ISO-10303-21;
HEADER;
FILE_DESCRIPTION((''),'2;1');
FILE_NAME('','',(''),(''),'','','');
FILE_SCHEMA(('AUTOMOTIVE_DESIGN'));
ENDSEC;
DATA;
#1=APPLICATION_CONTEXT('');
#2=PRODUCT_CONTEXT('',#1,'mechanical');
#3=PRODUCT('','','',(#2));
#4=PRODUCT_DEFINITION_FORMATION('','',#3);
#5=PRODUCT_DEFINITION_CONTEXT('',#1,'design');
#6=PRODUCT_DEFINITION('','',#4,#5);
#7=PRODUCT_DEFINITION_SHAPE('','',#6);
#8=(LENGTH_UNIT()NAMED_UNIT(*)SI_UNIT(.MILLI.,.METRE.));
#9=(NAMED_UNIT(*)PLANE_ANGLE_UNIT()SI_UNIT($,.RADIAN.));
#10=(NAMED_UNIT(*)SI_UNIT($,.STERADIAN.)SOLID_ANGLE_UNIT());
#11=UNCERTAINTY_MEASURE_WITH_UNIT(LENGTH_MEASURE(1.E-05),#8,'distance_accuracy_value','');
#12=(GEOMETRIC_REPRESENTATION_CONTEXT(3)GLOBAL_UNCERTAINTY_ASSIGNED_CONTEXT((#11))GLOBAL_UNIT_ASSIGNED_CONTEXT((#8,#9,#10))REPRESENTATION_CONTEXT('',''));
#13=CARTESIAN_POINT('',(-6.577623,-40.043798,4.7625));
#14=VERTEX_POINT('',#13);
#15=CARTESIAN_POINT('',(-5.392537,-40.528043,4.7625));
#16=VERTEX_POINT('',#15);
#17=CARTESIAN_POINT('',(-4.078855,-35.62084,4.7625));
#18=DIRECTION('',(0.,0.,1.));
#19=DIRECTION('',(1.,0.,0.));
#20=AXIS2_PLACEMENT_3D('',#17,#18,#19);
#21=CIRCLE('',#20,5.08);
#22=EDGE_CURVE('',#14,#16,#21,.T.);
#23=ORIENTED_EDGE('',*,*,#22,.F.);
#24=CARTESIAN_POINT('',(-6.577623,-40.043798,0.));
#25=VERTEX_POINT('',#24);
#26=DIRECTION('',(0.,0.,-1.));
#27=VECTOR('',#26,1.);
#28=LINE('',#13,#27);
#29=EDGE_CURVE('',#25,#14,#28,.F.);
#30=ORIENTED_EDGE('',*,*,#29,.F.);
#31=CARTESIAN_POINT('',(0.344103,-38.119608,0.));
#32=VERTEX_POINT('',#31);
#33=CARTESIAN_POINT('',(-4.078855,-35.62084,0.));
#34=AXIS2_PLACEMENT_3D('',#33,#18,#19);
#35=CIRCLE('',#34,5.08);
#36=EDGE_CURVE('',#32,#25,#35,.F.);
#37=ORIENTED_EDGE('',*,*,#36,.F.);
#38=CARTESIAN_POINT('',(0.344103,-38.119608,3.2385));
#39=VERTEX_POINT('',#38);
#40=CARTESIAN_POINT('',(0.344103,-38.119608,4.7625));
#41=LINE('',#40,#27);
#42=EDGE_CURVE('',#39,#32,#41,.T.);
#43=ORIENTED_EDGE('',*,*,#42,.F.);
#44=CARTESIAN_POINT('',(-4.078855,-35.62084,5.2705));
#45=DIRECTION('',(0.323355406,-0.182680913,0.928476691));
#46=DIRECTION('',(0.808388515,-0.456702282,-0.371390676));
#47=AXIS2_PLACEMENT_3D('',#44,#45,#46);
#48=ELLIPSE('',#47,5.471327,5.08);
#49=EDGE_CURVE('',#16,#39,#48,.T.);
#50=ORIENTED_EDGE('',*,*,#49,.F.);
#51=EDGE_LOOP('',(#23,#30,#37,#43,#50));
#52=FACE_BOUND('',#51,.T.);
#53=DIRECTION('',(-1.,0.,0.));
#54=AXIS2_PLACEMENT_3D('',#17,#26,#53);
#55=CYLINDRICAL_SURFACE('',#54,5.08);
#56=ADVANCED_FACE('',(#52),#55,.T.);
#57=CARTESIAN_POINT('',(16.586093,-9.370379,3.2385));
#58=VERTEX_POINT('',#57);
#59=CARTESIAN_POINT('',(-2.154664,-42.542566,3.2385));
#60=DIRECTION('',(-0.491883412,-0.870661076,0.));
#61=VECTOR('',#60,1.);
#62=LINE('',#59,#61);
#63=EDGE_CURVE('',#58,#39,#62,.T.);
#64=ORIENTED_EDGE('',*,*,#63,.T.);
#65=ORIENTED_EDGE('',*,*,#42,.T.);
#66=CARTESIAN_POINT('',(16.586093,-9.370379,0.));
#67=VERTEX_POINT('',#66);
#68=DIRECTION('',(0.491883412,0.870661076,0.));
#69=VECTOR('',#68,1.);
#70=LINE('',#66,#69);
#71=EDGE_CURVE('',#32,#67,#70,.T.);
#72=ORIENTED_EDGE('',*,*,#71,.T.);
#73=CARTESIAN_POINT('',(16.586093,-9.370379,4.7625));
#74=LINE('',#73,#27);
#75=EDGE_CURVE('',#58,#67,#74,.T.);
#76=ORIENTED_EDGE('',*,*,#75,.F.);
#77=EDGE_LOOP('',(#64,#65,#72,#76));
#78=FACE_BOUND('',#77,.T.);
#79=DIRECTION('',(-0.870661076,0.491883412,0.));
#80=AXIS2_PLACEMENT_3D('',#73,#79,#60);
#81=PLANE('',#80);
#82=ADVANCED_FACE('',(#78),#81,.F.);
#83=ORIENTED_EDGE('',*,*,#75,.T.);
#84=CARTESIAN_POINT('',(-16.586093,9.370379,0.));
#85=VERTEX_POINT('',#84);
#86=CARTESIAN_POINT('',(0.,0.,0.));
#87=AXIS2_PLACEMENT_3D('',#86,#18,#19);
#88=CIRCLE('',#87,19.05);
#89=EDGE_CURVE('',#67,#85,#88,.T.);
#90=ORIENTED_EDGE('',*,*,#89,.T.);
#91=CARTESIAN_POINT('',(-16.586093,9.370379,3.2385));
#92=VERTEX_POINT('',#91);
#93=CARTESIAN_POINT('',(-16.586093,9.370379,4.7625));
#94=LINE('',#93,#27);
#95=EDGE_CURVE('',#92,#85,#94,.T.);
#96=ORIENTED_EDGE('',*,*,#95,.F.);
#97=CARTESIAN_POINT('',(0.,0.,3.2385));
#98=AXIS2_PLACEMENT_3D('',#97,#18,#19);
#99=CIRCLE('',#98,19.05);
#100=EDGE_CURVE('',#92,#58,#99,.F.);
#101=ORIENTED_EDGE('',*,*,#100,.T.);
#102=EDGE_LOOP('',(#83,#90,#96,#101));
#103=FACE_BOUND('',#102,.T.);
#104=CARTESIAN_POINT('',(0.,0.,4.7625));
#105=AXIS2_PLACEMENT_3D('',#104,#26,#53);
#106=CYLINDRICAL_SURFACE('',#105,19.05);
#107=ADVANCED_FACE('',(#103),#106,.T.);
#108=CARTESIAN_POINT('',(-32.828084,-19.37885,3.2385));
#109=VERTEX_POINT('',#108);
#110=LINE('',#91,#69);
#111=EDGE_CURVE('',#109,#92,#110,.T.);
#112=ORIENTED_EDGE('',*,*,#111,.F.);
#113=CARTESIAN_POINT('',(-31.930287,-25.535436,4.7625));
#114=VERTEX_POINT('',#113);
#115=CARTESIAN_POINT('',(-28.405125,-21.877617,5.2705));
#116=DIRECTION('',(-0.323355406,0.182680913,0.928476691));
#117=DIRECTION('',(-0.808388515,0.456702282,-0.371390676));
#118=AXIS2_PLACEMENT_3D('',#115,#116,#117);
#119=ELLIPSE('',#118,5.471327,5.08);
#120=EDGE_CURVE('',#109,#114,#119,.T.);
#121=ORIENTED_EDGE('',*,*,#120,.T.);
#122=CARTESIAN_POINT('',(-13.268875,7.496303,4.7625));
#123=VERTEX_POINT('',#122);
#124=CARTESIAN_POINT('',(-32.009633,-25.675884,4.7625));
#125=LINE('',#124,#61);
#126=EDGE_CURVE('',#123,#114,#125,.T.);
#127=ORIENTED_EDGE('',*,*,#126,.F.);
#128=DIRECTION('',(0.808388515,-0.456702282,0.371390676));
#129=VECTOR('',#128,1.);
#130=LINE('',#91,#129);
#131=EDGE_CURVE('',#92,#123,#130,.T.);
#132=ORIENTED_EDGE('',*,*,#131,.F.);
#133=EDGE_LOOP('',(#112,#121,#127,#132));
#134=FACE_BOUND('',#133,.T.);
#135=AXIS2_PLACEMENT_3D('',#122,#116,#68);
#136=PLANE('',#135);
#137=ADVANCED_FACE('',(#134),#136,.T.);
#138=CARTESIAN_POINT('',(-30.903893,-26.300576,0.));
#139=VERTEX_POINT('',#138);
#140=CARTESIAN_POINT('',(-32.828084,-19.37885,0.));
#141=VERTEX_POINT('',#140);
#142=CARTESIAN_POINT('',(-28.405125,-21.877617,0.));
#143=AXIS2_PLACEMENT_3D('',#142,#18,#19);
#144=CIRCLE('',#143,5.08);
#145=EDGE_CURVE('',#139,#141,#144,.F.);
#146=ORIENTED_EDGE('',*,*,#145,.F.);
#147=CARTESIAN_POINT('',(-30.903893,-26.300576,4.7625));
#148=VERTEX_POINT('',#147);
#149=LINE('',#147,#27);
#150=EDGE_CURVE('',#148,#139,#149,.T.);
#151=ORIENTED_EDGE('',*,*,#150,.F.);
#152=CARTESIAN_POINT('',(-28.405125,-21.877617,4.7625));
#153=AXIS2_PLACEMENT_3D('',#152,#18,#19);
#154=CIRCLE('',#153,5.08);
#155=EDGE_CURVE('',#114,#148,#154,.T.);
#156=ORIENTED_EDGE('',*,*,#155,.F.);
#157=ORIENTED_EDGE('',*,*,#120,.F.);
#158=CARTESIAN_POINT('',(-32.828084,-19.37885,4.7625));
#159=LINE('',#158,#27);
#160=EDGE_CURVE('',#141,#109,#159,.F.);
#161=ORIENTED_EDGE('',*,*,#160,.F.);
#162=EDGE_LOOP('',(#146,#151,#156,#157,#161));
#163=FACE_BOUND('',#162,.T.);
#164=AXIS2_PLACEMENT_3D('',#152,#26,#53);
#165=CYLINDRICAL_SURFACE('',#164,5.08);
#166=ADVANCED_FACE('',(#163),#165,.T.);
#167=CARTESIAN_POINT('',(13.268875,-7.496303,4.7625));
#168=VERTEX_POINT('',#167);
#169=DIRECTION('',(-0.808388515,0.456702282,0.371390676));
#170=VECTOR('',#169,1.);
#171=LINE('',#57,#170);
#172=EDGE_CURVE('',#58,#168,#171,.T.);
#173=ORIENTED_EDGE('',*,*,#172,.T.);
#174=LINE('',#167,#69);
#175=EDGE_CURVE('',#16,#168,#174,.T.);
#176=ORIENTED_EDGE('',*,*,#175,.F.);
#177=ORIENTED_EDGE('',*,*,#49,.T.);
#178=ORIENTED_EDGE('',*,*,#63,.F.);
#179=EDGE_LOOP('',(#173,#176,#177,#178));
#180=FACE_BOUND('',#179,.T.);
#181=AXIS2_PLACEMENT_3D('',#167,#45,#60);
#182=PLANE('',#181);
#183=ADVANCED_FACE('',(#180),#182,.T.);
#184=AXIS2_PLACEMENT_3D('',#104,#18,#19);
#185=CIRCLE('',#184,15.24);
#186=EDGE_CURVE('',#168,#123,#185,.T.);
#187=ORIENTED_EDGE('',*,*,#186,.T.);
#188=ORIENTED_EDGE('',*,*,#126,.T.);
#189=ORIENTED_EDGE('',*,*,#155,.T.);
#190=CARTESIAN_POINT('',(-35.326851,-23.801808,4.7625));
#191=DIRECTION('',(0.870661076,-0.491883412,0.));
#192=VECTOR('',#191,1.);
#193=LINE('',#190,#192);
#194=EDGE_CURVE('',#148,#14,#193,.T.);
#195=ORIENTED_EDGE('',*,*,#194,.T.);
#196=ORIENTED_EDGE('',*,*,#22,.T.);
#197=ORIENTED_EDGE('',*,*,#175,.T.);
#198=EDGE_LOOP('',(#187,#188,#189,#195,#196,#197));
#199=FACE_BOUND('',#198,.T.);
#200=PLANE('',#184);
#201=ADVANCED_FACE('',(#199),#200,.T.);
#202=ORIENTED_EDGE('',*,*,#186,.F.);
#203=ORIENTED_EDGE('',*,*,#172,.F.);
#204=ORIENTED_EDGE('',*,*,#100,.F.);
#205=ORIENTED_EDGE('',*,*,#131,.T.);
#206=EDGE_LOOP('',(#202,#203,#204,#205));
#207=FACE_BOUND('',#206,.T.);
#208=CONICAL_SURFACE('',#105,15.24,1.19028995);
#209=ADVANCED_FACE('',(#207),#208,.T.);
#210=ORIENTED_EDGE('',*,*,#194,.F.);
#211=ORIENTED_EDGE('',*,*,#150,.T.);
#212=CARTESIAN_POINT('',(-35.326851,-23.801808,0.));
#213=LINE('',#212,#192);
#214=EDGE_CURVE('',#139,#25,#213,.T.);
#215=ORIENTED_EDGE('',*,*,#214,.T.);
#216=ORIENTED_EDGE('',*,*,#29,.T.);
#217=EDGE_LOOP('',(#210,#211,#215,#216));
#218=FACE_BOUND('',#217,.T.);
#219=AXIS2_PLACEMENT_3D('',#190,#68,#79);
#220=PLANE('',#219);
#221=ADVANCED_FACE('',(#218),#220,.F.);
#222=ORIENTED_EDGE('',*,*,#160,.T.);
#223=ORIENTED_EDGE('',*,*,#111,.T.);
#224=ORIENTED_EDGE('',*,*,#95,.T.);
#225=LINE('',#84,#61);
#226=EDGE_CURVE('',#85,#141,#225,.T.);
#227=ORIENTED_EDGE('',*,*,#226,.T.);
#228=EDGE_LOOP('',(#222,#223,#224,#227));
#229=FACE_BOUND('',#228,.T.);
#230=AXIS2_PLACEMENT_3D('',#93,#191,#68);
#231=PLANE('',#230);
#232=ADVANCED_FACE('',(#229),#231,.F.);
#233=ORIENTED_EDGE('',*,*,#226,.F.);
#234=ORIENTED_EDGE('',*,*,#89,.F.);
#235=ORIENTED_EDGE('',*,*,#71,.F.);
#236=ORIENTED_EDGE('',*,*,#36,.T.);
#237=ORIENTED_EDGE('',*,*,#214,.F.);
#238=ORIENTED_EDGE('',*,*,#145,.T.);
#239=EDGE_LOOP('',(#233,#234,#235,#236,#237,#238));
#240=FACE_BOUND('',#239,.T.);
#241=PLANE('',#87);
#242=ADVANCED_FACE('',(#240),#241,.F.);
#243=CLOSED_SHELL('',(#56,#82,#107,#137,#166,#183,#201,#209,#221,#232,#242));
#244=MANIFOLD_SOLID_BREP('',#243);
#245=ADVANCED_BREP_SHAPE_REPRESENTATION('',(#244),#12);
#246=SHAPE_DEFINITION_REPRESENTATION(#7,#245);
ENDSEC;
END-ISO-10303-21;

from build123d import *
from OCP.BRepFilletAPI import BRepFilletAPI_MakeChamfer

# Parameters (mm, degrees)
BOSS_EXTRUDE1_DEPTH = 4.7625
CHAMFER1_SIZE       = 1.524
CHAMFER1_SIZE2      = 3.81
FILLET1_R           = 5.08


with BuildPart() as part:
    # Sketch1 → Boss-Extrude1 (new body)
    with BuildSketch(Plane.XY):
        with BuildLine():
            Line((-16.586093498, 9.370378993), (-35.326851484, -23.801808003))
            Line((-35.326851484, -23.801808003), (-2.154664488, -42.542565989))
            Line((-2.154664488, -42.542565989), (16.586093498, -9.370378993))
            ThreePointArc((16.586093498, -9.370378993), (9.370378993, 16.586093498), (-16.586093498, 9.370378993))
        make_face()
    extrude(amount=BOSS_EXTRUDE1_DEPTH)

    # Chamfer1: one chamfer whose edges measure the first distance from different faces: ONE call of the kernel's chamfer builder (chamfer() names one face for all edges)
    chamfer1_edges_1 = [part.edges().sort_by_distance(p)[0] for p in [
        (7.215714505, -25.956472491, 4.7625),
    ]]
    chamfer1_side_1 = [part.faces().sort_by_distance(p)[0] for p in [
        (7.215714505, -25.956472491, 2.38125),
    ]]
    chamfer1_edges_2 = [part.edges().sort_by_distance(p)[0] for p in [
        (9.370378993, 16.586093498, 4.7625),
    ]]
    chamfer1_side_2 = [part.faces().sort_by_distance(p)[0] for p in [
        (9.370378993, 16.586093498, 2.38125),
    ]]
    chamfer1_edges_3 = [part.edges().sort_by_distance(p)[0] for p in [
        (-25.956472491, -7.215714505, 4.7625),
    ]]
    chamfer1_side_3 = [part.faces().sort_by_distance(p)[0] for p in [
        (-25.956472491, -7.215714505, 2.38125),
    ]]
    chamfer1 = BRepFilletAPI_MakeChamfer(part.part.solid().wrapped)
    for e in chamfer1_edges_1:
        chamfer1.Add(CHAMFER1_SIZE, CHAMFER1_SIZE2, e.wrapped, chamfer1_side_1[0].wrapped)  # the first distance lies on this face
    for e in chamfer1_edges_2:
        chamfer1.Add(CHAMFER1_SIZE, CHAMFER1_SIZE2, e.wrapped, chamfer1_side_2[0].wrapped)  # the first distance lies on this face
    for e in chamfer1_edges_3:
        chamfer1.Add(CHAMFER1_SIZE, CHAMFER1_SIZE2, e.wrapped, chamfer1_side_3[0].wrapped)  # the first distance lies on this face
    add(Compound.cast(chamfer1.Shape()), mode=Mode.REPLACE)

    # Fillet1
    fillet1_edges = [part.edges().sort_by_distance(p)[0] for p in [
        (-35.326851484, -23.801808003, 1.61925),
        (-2.154664488, -42.542565989, 1.61925),
    ]]
    fillet(fillet1_edges, radius=FILLET1_R)


solid = part.part
